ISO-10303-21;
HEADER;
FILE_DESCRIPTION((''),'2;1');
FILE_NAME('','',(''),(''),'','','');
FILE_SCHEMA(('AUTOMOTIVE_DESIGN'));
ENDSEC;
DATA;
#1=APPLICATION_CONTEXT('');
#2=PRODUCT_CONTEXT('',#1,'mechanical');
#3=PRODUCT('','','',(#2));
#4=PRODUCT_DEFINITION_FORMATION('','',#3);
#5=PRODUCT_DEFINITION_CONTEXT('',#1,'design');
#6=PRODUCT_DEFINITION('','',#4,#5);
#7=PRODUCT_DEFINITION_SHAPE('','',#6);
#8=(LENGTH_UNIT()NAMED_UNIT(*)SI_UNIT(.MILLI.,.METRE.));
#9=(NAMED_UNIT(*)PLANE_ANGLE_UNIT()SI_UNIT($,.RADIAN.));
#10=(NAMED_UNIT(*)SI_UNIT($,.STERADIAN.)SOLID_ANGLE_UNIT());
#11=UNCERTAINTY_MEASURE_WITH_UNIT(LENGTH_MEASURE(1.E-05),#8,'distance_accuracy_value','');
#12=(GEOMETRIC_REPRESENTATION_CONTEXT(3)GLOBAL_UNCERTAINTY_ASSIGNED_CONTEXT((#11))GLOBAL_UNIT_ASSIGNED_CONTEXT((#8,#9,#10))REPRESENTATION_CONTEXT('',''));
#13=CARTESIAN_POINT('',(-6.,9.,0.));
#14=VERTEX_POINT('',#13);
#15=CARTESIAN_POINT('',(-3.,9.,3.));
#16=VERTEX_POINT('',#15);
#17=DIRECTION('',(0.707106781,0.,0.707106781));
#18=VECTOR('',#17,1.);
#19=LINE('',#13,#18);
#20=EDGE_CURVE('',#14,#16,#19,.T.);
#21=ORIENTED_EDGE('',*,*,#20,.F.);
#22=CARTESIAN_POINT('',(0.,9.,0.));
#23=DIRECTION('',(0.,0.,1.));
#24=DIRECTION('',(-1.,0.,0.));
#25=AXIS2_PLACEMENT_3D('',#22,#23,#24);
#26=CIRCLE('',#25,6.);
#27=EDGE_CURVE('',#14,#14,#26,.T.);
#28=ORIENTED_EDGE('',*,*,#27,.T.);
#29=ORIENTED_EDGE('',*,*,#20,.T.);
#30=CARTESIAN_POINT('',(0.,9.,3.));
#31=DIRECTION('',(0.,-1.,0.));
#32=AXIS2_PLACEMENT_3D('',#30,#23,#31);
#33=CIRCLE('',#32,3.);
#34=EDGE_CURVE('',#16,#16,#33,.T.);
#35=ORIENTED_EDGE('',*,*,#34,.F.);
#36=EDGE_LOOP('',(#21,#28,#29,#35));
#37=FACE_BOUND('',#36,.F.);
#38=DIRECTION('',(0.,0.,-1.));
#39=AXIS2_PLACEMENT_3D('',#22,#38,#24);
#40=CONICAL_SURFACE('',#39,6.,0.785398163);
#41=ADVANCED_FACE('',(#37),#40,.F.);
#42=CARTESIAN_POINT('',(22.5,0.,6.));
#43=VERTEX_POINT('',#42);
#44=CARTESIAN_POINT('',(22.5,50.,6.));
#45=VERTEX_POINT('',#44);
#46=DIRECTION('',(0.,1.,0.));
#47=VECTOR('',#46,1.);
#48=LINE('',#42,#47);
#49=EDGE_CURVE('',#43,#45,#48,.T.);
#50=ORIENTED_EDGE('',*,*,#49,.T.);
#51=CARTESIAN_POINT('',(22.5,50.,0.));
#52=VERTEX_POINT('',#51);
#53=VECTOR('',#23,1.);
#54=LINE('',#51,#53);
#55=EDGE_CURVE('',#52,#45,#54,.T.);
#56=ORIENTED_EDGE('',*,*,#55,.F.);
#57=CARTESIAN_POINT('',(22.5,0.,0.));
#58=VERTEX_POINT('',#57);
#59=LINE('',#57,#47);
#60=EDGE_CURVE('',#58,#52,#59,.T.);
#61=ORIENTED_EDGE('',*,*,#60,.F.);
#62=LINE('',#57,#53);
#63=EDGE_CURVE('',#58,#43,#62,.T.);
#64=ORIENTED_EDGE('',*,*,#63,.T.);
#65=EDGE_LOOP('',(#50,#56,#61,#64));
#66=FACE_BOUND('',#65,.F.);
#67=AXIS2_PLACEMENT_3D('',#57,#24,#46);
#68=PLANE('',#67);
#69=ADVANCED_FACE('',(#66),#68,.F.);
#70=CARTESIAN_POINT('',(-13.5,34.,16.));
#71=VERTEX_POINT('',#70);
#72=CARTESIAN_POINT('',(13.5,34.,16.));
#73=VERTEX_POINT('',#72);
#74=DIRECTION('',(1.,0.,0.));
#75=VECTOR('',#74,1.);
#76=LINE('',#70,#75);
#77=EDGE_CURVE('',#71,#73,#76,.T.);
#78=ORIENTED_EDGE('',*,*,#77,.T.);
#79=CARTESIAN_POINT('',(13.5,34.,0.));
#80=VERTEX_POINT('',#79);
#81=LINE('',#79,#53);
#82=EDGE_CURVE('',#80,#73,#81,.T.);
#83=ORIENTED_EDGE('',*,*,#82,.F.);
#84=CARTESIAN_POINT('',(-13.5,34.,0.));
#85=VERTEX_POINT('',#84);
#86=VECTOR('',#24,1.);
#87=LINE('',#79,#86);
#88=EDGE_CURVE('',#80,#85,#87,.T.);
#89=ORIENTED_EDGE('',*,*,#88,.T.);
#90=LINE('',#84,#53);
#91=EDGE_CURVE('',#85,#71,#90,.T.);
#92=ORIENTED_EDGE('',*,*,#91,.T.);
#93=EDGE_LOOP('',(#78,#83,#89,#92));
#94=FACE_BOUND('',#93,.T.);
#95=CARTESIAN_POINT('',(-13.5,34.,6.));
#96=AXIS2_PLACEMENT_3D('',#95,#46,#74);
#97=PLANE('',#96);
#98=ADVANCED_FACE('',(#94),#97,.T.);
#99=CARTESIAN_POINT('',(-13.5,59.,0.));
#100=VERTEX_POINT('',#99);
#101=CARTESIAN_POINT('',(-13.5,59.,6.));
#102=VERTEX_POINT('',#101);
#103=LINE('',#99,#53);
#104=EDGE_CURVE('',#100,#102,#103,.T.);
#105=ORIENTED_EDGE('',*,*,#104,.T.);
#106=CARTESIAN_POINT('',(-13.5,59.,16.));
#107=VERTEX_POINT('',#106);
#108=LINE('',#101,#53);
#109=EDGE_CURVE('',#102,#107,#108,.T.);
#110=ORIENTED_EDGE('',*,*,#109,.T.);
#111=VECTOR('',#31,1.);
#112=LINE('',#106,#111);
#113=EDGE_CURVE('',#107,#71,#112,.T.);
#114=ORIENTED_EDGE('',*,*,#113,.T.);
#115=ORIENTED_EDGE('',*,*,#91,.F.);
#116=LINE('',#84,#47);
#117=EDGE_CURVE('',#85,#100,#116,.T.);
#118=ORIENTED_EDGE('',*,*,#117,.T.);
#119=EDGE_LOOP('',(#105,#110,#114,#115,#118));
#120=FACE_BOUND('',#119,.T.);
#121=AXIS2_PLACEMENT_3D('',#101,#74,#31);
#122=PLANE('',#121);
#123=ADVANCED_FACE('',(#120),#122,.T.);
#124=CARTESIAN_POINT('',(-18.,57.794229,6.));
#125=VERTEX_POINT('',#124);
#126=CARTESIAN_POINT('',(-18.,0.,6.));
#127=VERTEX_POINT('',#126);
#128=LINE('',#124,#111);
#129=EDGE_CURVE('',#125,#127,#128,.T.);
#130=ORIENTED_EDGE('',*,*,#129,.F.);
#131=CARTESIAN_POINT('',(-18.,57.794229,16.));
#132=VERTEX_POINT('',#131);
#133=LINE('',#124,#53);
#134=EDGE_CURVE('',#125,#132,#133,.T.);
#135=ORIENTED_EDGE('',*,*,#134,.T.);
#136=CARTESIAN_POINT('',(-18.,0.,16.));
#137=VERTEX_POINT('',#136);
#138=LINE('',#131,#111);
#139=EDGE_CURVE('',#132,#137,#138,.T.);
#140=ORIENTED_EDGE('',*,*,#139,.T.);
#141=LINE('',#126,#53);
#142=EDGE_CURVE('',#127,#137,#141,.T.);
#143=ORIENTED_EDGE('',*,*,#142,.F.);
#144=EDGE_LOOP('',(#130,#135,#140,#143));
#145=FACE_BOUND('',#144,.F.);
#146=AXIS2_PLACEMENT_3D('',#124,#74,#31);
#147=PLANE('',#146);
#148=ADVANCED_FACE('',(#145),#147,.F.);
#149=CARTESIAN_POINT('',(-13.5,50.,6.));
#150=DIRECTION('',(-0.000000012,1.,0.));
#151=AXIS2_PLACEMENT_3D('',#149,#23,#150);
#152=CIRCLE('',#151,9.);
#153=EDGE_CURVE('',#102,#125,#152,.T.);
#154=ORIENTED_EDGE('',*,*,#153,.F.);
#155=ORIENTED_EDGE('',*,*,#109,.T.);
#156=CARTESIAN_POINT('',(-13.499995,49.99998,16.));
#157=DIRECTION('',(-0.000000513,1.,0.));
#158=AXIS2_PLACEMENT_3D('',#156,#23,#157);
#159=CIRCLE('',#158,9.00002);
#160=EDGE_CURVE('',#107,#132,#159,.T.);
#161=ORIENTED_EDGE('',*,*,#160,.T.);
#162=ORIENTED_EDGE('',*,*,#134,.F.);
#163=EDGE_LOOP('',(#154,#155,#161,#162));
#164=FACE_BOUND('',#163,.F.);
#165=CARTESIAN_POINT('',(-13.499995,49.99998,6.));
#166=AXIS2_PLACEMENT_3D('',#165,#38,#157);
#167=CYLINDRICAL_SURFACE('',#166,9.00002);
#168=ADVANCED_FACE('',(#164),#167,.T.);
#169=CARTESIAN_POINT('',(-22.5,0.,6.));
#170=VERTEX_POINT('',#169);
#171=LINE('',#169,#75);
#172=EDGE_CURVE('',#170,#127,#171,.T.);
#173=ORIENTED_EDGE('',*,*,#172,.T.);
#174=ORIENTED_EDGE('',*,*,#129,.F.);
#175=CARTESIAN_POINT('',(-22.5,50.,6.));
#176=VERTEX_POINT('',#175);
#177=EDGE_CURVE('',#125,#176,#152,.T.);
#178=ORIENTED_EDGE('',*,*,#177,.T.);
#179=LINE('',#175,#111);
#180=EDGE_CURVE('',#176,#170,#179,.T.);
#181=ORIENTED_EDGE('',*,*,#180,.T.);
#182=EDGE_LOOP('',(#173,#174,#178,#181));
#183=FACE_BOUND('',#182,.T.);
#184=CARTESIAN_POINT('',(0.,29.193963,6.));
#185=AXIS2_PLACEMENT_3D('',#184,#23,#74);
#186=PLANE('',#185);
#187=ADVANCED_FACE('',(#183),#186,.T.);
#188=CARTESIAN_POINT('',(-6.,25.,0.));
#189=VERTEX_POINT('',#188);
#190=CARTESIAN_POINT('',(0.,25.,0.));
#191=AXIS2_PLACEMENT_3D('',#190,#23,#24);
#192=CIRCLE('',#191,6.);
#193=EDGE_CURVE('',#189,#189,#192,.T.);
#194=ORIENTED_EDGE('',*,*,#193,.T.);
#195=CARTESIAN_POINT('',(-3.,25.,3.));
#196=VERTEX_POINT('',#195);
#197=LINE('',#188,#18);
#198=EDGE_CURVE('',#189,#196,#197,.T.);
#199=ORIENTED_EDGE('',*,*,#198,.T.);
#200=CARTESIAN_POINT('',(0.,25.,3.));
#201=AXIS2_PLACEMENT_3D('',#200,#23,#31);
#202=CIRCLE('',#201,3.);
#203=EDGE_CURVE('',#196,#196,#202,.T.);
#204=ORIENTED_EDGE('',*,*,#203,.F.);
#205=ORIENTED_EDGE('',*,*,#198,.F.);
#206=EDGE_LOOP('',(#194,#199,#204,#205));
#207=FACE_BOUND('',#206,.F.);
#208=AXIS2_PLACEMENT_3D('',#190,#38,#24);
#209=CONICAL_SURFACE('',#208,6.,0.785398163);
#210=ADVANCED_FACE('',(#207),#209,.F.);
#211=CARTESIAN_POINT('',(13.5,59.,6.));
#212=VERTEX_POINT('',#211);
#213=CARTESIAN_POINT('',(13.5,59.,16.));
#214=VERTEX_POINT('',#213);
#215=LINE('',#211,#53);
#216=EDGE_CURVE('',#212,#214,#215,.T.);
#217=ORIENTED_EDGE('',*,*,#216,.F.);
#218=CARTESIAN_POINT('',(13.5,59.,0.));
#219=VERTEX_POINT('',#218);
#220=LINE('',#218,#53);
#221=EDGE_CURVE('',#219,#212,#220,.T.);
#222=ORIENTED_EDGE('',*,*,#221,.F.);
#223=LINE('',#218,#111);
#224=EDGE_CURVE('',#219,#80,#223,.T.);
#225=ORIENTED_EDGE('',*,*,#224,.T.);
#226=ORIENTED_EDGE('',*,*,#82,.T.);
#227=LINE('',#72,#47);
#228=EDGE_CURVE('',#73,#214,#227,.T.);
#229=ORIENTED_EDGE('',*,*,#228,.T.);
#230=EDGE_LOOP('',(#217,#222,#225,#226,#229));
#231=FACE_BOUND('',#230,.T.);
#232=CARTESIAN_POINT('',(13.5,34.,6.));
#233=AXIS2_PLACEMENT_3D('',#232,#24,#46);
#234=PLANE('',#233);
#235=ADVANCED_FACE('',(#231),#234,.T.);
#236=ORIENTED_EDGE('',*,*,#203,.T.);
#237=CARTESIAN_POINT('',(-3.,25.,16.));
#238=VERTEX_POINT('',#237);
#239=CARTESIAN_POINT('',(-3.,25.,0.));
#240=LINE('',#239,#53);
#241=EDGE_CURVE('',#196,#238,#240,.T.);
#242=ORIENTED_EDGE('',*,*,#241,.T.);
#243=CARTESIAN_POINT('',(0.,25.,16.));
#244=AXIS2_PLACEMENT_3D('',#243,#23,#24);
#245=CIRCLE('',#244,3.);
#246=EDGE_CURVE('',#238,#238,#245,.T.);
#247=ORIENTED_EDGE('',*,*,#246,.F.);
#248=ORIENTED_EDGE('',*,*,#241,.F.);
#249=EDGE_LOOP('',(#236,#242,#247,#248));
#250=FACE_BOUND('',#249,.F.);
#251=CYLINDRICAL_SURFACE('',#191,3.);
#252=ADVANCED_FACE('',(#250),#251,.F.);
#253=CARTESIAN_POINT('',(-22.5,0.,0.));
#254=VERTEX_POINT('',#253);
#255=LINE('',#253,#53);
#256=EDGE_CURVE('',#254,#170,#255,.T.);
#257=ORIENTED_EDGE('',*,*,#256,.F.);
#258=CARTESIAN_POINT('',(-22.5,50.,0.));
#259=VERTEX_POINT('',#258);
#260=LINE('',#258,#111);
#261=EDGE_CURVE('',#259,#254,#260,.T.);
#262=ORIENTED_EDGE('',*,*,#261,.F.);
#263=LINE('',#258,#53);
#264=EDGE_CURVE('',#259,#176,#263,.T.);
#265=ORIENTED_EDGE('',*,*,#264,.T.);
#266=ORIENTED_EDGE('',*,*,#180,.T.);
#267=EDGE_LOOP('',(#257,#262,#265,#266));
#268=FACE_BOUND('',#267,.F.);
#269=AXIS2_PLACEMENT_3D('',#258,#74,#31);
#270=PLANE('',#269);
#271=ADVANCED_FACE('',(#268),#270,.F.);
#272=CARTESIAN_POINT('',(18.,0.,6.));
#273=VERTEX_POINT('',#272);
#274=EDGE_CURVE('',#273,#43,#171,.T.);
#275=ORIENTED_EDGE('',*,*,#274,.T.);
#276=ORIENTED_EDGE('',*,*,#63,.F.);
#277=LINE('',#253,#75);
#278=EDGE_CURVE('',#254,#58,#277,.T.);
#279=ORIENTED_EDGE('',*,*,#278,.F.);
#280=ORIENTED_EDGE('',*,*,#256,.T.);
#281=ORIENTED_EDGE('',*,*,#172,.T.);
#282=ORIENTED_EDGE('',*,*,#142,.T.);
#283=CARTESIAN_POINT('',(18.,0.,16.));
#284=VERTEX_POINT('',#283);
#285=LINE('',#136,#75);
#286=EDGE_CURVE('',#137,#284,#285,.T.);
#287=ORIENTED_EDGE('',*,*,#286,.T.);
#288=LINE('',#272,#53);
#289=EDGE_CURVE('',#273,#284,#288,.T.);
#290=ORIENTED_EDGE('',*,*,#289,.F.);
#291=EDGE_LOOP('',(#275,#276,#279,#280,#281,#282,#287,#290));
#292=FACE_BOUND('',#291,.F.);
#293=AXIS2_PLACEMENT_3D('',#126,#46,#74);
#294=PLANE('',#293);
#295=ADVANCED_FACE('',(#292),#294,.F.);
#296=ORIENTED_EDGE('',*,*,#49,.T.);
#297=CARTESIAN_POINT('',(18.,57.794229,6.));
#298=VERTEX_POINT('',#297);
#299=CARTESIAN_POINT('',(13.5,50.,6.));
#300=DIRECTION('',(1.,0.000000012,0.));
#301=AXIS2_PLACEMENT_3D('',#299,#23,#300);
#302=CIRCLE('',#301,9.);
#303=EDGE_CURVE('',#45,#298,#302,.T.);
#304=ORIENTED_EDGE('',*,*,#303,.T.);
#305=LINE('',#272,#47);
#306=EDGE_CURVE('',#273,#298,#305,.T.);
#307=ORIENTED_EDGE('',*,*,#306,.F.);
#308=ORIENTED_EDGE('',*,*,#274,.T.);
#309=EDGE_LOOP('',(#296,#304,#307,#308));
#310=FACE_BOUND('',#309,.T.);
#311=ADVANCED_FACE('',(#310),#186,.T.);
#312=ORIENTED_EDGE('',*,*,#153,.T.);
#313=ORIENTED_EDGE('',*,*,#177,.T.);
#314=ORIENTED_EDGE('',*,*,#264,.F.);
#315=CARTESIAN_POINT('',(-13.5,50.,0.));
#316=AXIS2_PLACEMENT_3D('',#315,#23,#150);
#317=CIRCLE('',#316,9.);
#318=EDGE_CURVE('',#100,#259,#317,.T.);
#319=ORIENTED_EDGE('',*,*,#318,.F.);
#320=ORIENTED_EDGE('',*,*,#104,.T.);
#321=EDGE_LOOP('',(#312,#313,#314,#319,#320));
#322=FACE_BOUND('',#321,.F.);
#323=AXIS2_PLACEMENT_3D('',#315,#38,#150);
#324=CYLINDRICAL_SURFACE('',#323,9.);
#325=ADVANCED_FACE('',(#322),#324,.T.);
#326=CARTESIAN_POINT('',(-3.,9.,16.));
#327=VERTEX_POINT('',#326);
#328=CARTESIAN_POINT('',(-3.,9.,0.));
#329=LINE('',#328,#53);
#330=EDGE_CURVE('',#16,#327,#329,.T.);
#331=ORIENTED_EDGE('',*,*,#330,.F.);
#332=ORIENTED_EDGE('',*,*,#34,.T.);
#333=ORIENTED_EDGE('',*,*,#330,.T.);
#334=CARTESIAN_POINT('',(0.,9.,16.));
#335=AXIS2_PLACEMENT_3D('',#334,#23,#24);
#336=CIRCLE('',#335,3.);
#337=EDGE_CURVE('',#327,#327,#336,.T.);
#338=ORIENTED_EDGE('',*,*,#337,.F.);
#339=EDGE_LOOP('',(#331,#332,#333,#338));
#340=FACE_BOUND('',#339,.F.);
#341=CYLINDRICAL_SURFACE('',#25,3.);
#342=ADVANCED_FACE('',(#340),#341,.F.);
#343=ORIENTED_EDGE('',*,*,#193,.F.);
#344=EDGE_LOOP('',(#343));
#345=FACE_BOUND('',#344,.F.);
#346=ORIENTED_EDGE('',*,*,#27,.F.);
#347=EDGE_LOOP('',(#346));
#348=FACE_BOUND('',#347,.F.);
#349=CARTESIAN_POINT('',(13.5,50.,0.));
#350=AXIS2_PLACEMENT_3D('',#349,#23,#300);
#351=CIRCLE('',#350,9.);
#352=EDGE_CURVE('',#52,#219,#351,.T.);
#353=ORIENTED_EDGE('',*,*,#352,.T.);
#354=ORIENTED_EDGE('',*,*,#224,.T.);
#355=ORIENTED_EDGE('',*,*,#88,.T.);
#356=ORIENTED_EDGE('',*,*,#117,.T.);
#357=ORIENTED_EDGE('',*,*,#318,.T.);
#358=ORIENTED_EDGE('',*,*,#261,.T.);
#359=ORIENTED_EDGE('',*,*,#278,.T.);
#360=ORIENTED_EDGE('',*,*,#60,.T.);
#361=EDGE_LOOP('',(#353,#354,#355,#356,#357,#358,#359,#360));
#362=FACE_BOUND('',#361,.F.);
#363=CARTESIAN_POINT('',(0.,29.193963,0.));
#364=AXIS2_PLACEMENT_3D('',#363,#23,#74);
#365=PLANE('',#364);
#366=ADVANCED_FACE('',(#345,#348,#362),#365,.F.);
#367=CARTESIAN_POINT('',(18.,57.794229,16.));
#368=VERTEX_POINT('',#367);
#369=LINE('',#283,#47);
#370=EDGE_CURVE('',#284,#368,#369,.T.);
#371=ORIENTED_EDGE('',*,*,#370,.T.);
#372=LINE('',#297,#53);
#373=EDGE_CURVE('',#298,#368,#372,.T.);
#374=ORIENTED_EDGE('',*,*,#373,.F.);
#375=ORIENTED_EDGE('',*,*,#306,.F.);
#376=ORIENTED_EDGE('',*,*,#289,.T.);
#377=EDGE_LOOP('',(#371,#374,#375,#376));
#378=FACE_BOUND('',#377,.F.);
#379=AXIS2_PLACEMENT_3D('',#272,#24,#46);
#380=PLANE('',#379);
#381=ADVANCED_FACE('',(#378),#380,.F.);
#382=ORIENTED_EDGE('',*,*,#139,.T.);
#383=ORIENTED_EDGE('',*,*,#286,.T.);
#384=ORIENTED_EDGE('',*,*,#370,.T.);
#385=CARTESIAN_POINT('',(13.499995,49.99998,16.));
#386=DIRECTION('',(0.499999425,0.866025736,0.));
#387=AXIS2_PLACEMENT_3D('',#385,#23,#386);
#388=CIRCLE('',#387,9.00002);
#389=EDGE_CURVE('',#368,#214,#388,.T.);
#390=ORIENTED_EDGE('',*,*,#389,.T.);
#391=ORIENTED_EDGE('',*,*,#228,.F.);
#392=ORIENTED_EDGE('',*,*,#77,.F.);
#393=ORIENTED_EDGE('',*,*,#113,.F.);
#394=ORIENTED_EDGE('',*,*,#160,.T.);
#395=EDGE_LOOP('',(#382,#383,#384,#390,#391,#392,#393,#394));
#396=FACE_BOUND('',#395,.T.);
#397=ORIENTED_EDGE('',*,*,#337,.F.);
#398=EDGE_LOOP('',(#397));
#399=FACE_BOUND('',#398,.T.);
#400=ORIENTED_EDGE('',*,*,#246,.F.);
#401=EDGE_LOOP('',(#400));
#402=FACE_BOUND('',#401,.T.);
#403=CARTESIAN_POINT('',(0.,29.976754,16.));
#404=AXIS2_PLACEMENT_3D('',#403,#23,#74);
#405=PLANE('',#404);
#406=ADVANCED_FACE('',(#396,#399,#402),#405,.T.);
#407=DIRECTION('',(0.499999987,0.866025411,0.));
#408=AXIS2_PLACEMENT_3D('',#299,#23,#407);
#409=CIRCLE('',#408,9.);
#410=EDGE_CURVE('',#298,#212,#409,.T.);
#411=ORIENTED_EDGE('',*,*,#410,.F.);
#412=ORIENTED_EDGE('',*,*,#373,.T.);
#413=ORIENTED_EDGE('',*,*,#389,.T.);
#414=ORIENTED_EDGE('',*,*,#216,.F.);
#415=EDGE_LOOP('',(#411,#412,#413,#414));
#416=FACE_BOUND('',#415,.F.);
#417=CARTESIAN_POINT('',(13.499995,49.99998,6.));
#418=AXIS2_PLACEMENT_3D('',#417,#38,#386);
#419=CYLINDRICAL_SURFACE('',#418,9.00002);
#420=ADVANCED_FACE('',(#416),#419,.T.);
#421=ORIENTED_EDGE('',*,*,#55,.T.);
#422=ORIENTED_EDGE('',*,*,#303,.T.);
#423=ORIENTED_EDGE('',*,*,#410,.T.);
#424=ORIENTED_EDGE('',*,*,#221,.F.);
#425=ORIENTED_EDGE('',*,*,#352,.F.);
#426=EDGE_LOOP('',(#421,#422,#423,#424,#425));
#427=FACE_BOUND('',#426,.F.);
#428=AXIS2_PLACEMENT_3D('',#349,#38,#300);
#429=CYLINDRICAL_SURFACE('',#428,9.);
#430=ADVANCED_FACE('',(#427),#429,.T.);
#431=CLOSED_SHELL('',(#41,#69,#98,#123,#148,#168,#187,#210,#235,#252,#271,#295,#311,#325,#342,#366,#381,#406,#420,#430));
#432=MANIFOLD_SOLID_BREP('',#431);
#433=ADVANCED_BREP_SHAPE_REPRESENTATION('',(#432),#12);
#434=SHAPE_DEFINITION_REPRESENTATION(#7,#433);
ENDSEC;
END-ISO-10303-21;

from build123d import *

# Parameters (mm, degrees)
PAD_DEPTH           = 6
PAD001_DEPTH        = 10
HOLE_D              = 6
HOLE_DEPTH          = 25
HOLE_CSINK_D        = 12
HOLE_CSINK_ANGLE    = 90
LINEARPATTERN_COUNT = 2
LINEARPATTERN_PITCH = 16


with BuildPart() as part:
    # Sketch → Pad (new body)
    with BuildSketch(Plane.XY):
        with BuildLine():
            Line((-22.5, 0), (22.5, 0))
            Line((22.5, 0), (22.5, 50))
            ThreePointArc((22.5, 50), (19.863961, 56.363961), (13.5, 59))
            Line((13.5, 59), (13.5, 34))
            Line((13.5, 34), (-13.5, 34))
            Line((-13.5, 34), (-13.5, 59))
            ThreePointArc((-13.5, 59), (-19.863961, 56.363961), (-22.5, 50))
            Line((-22.5, 50), (-22.5, 0))
        make_face()
    extrude(amount=PAD_DEPTH)

    # Sketch001 (on Face10 of Pad) → Pad001 (join)
    with BuildSketch(Plane.XY.offset(6)):
        with BuildLine():
            Line((-18, 0), (18, 0))
            Line((18, 0), (18, 34))
            Line((18, 57.794229), (18, 34))
            ThreePointArc((18, 57.794229), (15.829371, 58.693332), (13.5, 59))
            Line((13.5, 34), (13.5, 59))
            Line((-13.5, 34), (13.5, 34))
            Line((-13.5, 59), (-13.5, 34))
            ThreePointArc((-13.5, 59), (-15.829371, 58.693332), (-18, 57.794229))
            Line((-18, 57.794229), (-18, 34))
            Line((-18, 34), (-18, 0))
        make_face()
    extrude(amount=PAD001_DEPTH)

    # Hole
    with Locations(Plane(origin=(0, 0, 0), x_dir=(1, 0, 0), z_dir=(0, 0, -1))):
        with Locations((0, -9)):
            hole = CounterSinkHole(HOLE_D / 2, HOLE_CSINK_D / 2, depth=HOLE_DEPTH, counter_sink_angle=HOLE_CSINK_ANGLE)

    # LinearPattern: Hole ×2
    with Locations(*[(0, i * LINEARPATTERN_PITCH, 0) for i in range(1, LINEARPATTERN_COUNT)]):
        add(hole, mode=Mode.SUBTRACT)


solid = part.part
